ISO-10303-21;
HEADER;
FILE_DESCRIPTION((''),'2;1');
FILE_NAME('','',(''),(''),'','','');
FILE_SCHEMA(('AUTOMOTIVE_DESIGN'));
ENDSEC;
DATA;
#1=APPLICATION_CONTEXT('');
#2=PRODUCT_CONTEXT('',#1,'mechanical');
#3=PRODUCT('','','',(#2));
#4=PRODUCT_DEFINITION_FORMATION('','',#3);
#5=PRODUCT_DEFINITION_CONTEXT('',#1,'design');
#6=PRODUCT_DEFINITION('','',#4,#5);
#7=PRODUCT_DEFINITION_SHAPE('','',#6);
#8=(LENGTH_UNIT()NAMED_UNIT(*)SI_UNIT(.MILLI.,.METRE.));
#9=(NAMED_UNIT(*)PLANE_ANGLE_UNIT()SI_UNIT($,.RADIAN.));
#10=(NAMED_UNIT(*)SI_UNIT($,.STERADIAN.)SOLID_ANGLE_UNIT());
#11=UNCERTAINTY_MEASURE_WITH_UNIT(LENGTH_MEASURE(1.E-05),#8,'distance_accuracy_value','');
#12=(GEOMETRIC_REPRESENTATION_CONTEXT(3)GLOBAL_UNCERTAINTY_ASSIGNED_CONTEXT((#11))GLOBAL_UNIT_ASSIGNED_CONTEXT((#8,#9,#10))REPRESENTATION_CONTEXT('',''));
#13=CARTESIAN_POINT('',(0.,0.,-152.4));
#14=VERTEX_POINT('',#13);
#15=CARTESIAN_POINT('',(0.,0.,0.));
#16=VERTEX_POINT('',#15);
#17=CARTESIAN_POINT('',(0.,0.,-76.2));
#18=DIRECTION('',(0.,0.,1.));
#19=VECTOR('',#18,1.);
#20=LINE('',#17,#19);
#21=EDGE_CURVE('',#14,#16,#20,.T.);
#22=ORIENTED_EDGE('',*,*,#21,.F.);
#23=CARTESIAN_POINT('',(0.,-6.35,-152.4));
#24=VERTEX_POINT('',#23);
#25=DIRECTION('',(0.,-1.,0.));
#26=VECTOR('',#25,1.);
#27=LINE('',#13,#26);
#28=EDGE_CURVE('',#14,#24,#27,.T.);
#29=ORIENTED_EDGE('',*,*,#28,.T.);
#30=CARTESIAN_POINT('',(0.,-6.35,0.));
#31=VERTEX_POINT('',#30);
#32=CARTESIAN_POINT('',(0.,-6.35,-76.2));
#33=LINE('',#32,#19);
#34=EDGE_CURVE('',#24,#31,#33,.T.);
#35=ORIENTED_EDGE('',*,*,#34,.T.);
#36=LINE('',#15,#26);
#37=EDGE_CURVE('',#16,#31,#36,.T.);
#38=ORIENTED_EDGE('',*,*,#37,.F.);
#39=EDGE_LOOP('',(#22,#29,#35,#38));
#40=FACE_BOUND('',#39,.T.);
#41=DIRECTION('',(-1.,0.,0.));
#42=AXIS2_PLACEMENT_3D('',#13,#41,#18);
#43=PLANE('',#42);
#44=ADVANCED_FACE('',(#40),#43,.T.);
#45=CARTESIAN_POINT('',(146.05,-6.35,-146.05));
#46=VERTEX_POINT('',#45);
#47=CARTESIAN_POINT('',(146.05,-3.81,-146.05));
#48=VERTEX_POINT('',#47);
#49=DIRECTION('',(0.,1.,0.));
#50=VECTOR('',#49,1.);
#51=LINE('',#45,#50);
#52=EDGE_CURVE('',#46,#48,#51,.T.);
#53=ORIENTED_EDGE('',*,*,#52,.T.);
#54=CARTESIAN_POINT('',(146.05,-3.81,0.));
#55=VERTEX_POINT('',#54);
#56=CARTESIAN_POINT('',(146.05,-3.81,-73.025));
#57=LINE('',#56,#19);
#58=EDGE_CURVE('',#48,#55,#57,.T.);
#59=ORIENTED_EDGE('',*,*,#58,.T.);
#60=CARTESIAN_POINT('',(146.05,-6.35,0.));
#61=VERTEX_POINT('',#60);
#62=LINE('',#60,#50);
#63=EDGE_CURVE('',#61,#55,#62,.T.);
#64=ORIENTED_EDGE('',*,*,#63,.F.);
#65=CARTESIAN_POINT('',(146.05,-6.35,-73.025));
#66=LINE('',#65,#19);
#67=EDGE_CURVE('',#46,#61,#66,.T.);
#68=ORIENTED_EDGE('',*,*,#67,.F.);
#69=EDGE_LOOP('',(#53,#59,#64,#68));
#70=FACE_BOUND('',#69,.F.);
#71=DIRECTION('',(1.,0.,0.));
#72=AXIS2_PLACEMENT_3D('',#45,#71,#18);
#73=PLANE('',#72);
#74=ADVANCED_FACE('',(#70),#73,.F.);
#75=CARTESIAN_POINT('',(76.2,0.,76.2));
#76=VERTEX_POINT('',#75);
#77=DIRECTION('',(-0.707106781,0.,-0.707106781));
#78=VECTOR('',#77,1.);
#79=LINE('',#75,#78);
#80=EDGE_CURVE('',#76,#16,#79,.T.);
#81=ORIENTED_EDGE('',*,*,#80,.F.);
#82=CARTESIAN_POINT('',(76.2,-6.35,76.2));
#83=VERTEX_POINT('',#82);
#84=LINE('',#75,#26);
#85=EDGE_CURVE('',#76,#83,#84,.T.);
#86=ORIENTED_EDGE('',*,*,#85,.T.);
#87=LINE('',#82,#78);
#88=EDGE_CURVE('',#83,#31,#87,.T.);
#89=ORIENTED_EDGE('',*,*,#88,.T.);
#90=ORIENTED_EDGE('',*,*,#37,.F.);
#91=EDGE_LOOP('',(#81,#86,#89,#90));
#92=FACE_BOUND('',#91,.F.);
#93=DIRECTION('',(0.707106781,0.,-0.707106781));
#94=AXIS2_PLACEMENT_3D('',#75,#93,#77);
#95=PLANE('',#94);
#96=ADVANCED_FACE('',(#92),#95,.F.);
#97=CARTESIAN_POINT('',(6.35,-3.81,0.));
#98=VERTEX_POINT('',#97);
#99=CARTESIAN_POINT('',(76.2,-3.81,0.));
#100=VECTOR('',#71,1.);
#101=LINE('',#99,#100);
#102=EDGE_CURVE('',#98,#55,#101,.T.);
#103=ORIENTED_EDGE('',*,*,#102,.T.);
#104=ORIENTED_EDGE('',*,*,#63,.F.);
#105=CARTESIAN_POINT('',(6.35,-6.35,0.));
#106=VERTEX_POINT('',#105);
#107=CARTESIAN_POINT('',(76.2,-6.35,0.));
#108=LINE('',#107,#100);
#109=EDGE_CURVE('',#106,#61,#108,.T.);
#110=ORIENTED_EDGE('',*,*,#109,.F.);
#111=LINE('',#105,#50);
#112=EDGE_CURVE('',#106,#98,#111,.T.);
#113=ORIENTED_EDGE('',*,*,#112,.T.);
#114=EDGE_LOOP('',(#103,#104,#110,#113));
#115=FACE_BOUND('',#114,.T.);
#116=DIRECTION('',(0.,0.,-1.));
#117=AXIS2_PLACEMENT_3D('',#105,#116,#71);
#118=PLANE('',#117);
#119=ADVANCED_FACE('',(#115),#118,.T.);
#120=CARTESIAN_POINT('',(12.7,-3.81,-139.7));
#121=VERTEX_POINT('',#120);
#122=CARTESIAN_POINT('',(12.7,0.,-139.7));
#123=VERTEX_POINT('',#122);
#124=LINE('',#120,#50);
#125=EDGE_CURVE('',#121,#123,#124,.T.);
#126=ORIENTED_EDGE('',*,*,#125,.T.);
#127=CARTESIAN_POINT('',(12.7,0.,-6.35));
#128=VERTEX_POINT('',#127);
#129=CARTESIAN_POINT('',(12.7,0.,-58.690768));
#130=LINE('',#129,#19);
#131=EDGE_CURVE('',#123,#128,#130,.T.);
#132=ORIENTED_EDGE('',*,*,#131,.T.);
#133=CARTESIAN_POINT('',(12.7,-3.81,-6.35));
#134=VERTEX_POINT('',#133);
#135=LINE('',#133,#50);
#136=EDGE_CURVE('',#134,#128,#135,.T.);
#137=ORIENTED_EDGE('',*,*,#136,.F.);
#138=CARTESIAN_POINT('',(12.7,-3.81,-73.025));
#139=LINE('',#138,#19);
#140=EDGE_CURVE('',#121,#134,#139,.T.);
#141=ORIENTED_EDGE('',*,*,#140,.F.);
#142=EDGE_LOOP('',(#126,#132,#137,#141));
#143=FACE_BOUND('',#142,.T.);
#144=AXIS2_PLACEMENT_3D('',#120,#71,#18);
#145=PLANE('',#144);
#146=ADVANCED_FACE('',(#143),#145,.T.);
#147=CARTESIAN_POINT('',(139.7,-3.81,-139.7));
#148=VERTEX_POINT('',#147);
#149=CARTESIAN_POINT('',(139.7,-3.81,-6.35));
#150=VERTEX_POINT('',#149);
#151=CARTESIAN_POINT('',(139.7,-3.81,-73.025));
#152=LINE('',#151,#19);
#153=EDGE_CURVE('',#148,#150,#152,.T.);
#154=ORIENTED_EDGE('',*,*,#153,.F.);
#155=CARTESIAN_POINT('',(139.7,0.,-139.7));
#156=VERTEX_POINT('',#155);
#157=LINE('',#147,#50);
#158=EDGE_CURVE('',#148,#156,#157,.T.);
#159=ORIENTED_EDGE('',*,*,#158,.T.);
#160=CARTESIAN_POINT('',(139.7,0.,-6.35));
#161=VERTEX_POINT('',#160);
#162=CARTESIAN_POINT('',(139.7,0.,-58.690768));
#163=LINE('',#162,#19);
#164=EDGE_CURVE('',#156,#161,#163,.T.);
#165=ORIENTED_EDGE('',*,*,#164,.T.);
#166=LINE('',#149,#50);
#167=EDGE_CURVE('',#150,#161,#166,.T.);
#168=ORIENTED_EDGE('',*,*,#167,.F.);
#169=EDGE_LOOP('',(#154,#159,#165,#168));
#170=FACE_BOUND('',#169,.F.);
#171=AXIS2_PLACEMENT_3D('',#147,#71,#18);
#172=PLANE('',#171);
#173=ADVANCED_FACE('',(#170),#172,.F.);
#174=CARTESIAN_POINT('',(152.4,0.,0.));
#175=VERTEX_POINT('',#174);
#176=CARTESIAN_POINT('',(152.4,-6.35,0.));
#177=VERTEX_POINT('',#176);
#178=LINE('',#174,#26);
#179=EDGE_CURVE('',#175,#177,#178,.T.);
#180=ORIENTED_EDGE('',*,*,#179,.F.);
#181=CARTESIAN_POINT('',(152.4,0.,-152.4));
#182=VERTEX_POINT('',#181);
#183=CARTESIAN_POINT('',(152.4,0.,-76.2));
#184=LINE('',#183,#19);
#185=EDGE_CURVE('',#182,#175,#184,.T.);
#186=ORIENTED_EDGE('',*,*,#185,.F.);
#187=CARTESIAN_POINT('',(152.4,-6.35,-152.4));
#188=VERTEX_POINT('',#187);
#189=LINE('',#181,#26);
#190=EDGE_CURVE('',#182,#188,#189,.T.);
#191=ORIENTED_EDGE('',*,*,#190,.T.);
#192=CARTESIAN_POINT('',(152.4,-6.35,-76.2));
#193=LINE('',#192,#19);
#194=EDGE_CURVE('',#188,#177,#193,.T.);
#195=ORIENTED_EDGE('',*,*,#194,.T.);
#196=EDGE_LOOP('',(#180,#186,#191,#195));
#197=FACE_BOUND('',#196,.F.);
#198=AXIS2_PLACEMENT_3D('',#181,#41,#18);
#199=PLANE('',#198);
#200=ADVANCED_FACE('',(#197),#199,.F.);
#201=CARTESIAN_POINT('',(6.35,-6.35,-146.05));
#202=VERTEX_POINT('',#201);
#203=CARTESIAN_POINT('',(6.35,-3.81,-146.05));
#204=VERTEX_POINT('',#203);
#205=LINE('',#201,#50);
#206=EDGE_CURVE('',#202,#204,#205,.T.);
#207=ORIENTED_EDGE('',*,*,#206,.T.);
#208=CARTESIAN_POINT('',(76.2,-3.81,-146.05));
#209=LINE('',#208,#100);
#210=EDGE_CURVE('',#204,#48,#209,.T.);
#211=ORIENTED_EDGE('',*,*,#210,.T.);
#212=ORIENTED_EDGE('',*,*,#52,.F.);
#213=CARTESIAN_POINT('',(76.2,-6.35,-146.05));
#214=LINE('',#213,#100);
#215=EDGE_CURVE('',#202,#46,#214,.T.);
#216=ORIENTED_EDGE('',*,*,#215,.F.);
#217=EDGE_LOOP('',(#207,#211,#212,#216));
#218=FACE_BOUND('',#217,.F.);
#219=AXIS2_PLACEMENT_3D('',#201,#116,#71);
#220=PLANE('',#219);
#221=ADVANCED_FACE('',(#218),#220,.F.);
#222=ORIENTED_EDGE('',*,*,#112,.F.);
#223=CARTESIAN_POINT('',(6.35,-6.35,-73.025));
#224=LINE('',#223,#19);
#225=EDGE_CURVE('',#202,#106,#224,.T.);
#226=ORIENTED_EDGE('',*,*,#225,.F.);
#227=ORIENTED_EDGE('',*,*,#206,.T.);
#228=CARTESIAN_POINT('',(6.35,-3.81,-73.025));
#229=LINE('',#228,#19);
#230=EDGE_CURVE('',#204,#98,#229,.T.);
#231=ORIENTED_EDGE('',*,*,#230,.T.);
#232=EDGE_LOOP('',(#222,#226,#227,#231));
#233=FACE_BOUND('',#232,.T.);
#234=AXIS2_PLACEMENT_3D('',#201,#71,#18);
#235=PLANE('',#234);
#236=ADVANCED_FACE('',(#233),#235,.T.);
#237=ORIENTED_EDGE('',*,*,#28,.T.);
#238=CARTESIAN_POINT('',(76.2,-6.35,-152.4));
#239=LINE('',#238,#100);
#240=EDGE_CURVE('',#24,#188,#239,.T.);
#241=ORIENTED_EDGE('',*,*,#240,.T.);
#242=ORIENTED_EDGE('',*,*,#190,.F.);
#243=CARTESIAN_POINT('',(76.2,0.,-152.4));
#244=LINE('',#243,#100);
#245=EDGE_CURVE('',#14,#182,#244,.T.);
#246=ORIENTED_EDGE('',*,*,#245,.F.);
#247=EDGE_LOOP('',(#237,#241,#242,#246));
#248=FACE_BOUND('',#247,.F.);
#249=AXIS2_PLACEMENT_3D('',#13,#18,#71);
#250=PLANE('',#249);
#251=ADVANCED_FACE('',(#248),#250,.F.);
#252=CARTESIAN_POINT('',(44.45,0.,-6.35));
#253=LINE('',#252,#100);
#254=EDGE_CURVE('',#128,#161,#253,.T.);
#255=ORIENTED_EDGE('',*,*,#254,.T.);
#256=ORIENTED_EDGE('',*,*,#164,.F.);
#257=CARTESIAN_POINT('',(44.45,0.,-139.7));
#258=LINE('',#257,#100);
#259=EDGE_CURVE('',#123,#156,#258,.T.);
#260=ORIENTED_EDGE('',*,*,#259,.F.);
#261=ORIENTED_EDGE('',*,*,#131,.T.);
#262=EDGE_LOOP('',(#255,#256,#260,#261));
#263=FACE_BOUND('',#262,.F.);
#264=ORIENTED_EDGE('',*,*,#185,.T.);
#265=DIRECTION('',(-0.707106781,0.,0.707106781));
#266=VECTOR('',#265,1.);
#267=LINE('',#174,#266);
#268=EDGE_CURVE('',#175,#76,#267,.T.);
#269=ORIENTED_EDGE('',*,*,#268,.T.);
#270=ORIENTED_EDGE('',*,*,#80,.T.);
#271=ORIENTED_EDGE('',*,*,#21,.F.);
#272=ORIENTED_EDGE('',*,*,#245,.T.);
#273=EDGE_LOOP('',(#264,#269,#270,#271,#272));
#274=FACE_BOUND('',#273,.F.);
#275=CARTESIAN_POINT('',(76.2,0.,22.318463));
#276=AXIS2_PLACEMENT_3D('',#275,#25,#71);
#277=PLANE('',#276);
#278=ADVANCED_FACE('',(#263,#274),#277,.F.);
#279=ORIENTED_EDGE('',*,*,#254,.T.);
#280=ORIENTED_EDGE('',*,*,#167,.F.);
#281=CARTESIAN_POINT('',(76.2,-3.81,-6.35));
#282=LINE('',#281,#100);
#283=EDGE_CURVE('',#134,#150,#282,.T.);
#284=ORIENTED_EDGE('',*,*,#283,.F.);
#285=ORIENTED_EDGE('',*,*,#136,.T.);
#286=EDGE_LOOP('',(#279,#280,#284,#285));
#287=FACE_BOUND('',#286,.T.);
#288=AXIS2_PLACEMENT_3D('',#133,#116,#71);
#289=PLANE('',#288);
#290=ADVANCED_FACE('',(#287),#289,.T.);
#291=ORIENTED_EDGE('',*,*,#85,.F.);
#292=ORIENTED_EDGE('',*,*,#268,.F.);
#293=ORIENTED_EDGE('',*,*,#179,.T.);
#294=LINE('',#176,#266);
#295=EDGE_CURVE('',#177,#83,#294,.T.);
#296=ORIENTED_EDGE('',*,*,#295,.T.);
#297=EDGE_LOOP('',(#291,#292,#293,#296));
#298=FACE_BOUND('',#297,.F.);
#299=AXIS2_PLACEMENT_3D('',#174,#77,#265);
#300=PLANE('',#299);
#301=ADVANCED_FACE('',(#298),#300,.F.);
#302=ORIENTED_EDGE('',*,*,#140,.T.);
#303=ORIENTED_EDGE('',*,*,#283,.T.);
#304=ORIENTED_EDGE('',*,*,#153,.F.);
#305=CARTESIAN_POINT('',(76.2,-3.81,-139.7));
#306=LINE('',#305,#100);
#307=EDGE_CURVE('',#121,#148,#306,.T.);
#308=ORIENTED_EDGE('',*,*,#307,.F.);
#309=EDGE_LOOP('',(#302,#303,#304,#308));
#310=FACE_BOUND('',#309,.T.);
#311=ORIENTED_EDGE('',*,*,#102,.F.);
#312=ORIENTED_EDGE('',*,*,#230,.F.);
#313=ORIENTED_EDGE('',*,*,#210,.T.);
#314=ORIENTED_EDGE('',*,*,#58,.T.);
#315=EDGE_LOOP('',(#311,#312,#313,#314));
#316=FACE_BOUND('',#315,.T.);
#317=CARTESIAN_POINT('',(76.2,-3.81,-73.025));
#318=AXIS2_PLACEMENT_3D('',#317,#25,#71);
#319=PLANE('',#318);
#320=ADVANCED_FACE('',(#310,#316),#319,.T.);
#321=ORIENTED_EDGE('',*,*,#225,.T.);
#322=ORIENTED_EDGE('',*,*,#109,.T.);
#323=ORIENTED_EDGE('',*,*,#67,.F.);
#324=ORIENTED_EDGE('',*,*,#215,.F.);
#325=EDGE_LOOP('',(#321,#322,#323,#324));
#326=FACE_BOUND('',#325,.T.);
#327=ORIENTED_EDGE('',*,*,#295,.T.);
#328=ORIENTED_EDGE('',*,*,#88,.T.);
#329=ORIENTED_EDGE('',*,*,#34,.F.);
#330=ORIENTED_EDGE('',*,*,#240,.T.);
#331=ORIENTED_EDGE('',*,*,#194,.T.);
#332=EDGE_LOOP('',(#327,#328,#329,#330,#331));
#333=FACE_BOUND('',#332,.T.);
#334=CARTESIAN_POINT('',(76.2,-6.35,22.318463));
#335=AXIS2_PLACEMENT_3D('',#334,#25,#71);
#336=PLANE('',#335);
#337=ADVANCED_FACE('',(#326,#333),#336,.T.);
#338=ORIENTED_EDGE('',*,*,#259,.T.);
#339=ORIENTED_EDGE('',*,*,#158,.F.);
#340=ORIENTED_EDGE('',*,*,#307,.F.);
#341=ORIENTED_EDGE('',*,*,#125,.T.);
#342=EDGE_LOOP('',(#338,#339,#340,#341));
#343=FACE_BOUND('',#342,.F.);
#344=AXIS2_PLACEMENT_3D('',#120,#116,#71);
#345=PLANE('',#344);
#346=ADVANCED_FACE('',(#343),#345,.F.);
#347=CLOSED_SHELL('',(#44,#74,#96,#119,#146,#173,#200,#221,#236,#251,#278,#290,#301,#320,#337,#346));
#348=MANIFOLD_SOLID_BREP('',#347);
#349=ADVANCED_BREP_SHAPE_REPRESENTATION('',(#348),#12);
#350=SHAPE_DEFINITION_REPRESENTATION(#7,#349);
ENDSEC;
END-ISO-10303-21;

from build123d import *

# Parameters (mm, degrees)
F0_W     = 152.4
F0_H     = 152.4
F1_DEPTH = 6.35
F2_W     = 139.7
F2_H     = 146.05
F3_DEPTH = 2.54
F4_W     = 127
F4_H     = 133.35
F5_DEPTH = 3.811


with BuildPart() as f1:
    # F0 (on Front) → F1 (new body)
    with BuildSketch(Plane.XZ):
        Polygon((76.2, 76.2), (0, 0), (152.4, 0), align=None)
        with Locations((76.2, -76.2)):
            Rectangle(F0_W, F0_H)
    extrude(amount=F1_DEPTH)

    # F2 (on face) → F3 (cut)
    with BuildSketch(Plane.XZ.offset(6.35)):
        with Locations((76.2, -73.025)):
            Rectangle(F2_W, F2_H)
    extrude(amount=-F3_DEPTH, mode=Mode.SUBTRACT)

    # F4 (on face) → F5 (cut, through all)
    with BuildSketch(Plane.XZ.offset(3.81)):
        with Locations((76.2, -73.025)):
            Rectangle(F4_W, F4_H)
    extrude(amount=-F5_DEPTH, mode=Mode.SUBTRACT)


solid = f1.part
